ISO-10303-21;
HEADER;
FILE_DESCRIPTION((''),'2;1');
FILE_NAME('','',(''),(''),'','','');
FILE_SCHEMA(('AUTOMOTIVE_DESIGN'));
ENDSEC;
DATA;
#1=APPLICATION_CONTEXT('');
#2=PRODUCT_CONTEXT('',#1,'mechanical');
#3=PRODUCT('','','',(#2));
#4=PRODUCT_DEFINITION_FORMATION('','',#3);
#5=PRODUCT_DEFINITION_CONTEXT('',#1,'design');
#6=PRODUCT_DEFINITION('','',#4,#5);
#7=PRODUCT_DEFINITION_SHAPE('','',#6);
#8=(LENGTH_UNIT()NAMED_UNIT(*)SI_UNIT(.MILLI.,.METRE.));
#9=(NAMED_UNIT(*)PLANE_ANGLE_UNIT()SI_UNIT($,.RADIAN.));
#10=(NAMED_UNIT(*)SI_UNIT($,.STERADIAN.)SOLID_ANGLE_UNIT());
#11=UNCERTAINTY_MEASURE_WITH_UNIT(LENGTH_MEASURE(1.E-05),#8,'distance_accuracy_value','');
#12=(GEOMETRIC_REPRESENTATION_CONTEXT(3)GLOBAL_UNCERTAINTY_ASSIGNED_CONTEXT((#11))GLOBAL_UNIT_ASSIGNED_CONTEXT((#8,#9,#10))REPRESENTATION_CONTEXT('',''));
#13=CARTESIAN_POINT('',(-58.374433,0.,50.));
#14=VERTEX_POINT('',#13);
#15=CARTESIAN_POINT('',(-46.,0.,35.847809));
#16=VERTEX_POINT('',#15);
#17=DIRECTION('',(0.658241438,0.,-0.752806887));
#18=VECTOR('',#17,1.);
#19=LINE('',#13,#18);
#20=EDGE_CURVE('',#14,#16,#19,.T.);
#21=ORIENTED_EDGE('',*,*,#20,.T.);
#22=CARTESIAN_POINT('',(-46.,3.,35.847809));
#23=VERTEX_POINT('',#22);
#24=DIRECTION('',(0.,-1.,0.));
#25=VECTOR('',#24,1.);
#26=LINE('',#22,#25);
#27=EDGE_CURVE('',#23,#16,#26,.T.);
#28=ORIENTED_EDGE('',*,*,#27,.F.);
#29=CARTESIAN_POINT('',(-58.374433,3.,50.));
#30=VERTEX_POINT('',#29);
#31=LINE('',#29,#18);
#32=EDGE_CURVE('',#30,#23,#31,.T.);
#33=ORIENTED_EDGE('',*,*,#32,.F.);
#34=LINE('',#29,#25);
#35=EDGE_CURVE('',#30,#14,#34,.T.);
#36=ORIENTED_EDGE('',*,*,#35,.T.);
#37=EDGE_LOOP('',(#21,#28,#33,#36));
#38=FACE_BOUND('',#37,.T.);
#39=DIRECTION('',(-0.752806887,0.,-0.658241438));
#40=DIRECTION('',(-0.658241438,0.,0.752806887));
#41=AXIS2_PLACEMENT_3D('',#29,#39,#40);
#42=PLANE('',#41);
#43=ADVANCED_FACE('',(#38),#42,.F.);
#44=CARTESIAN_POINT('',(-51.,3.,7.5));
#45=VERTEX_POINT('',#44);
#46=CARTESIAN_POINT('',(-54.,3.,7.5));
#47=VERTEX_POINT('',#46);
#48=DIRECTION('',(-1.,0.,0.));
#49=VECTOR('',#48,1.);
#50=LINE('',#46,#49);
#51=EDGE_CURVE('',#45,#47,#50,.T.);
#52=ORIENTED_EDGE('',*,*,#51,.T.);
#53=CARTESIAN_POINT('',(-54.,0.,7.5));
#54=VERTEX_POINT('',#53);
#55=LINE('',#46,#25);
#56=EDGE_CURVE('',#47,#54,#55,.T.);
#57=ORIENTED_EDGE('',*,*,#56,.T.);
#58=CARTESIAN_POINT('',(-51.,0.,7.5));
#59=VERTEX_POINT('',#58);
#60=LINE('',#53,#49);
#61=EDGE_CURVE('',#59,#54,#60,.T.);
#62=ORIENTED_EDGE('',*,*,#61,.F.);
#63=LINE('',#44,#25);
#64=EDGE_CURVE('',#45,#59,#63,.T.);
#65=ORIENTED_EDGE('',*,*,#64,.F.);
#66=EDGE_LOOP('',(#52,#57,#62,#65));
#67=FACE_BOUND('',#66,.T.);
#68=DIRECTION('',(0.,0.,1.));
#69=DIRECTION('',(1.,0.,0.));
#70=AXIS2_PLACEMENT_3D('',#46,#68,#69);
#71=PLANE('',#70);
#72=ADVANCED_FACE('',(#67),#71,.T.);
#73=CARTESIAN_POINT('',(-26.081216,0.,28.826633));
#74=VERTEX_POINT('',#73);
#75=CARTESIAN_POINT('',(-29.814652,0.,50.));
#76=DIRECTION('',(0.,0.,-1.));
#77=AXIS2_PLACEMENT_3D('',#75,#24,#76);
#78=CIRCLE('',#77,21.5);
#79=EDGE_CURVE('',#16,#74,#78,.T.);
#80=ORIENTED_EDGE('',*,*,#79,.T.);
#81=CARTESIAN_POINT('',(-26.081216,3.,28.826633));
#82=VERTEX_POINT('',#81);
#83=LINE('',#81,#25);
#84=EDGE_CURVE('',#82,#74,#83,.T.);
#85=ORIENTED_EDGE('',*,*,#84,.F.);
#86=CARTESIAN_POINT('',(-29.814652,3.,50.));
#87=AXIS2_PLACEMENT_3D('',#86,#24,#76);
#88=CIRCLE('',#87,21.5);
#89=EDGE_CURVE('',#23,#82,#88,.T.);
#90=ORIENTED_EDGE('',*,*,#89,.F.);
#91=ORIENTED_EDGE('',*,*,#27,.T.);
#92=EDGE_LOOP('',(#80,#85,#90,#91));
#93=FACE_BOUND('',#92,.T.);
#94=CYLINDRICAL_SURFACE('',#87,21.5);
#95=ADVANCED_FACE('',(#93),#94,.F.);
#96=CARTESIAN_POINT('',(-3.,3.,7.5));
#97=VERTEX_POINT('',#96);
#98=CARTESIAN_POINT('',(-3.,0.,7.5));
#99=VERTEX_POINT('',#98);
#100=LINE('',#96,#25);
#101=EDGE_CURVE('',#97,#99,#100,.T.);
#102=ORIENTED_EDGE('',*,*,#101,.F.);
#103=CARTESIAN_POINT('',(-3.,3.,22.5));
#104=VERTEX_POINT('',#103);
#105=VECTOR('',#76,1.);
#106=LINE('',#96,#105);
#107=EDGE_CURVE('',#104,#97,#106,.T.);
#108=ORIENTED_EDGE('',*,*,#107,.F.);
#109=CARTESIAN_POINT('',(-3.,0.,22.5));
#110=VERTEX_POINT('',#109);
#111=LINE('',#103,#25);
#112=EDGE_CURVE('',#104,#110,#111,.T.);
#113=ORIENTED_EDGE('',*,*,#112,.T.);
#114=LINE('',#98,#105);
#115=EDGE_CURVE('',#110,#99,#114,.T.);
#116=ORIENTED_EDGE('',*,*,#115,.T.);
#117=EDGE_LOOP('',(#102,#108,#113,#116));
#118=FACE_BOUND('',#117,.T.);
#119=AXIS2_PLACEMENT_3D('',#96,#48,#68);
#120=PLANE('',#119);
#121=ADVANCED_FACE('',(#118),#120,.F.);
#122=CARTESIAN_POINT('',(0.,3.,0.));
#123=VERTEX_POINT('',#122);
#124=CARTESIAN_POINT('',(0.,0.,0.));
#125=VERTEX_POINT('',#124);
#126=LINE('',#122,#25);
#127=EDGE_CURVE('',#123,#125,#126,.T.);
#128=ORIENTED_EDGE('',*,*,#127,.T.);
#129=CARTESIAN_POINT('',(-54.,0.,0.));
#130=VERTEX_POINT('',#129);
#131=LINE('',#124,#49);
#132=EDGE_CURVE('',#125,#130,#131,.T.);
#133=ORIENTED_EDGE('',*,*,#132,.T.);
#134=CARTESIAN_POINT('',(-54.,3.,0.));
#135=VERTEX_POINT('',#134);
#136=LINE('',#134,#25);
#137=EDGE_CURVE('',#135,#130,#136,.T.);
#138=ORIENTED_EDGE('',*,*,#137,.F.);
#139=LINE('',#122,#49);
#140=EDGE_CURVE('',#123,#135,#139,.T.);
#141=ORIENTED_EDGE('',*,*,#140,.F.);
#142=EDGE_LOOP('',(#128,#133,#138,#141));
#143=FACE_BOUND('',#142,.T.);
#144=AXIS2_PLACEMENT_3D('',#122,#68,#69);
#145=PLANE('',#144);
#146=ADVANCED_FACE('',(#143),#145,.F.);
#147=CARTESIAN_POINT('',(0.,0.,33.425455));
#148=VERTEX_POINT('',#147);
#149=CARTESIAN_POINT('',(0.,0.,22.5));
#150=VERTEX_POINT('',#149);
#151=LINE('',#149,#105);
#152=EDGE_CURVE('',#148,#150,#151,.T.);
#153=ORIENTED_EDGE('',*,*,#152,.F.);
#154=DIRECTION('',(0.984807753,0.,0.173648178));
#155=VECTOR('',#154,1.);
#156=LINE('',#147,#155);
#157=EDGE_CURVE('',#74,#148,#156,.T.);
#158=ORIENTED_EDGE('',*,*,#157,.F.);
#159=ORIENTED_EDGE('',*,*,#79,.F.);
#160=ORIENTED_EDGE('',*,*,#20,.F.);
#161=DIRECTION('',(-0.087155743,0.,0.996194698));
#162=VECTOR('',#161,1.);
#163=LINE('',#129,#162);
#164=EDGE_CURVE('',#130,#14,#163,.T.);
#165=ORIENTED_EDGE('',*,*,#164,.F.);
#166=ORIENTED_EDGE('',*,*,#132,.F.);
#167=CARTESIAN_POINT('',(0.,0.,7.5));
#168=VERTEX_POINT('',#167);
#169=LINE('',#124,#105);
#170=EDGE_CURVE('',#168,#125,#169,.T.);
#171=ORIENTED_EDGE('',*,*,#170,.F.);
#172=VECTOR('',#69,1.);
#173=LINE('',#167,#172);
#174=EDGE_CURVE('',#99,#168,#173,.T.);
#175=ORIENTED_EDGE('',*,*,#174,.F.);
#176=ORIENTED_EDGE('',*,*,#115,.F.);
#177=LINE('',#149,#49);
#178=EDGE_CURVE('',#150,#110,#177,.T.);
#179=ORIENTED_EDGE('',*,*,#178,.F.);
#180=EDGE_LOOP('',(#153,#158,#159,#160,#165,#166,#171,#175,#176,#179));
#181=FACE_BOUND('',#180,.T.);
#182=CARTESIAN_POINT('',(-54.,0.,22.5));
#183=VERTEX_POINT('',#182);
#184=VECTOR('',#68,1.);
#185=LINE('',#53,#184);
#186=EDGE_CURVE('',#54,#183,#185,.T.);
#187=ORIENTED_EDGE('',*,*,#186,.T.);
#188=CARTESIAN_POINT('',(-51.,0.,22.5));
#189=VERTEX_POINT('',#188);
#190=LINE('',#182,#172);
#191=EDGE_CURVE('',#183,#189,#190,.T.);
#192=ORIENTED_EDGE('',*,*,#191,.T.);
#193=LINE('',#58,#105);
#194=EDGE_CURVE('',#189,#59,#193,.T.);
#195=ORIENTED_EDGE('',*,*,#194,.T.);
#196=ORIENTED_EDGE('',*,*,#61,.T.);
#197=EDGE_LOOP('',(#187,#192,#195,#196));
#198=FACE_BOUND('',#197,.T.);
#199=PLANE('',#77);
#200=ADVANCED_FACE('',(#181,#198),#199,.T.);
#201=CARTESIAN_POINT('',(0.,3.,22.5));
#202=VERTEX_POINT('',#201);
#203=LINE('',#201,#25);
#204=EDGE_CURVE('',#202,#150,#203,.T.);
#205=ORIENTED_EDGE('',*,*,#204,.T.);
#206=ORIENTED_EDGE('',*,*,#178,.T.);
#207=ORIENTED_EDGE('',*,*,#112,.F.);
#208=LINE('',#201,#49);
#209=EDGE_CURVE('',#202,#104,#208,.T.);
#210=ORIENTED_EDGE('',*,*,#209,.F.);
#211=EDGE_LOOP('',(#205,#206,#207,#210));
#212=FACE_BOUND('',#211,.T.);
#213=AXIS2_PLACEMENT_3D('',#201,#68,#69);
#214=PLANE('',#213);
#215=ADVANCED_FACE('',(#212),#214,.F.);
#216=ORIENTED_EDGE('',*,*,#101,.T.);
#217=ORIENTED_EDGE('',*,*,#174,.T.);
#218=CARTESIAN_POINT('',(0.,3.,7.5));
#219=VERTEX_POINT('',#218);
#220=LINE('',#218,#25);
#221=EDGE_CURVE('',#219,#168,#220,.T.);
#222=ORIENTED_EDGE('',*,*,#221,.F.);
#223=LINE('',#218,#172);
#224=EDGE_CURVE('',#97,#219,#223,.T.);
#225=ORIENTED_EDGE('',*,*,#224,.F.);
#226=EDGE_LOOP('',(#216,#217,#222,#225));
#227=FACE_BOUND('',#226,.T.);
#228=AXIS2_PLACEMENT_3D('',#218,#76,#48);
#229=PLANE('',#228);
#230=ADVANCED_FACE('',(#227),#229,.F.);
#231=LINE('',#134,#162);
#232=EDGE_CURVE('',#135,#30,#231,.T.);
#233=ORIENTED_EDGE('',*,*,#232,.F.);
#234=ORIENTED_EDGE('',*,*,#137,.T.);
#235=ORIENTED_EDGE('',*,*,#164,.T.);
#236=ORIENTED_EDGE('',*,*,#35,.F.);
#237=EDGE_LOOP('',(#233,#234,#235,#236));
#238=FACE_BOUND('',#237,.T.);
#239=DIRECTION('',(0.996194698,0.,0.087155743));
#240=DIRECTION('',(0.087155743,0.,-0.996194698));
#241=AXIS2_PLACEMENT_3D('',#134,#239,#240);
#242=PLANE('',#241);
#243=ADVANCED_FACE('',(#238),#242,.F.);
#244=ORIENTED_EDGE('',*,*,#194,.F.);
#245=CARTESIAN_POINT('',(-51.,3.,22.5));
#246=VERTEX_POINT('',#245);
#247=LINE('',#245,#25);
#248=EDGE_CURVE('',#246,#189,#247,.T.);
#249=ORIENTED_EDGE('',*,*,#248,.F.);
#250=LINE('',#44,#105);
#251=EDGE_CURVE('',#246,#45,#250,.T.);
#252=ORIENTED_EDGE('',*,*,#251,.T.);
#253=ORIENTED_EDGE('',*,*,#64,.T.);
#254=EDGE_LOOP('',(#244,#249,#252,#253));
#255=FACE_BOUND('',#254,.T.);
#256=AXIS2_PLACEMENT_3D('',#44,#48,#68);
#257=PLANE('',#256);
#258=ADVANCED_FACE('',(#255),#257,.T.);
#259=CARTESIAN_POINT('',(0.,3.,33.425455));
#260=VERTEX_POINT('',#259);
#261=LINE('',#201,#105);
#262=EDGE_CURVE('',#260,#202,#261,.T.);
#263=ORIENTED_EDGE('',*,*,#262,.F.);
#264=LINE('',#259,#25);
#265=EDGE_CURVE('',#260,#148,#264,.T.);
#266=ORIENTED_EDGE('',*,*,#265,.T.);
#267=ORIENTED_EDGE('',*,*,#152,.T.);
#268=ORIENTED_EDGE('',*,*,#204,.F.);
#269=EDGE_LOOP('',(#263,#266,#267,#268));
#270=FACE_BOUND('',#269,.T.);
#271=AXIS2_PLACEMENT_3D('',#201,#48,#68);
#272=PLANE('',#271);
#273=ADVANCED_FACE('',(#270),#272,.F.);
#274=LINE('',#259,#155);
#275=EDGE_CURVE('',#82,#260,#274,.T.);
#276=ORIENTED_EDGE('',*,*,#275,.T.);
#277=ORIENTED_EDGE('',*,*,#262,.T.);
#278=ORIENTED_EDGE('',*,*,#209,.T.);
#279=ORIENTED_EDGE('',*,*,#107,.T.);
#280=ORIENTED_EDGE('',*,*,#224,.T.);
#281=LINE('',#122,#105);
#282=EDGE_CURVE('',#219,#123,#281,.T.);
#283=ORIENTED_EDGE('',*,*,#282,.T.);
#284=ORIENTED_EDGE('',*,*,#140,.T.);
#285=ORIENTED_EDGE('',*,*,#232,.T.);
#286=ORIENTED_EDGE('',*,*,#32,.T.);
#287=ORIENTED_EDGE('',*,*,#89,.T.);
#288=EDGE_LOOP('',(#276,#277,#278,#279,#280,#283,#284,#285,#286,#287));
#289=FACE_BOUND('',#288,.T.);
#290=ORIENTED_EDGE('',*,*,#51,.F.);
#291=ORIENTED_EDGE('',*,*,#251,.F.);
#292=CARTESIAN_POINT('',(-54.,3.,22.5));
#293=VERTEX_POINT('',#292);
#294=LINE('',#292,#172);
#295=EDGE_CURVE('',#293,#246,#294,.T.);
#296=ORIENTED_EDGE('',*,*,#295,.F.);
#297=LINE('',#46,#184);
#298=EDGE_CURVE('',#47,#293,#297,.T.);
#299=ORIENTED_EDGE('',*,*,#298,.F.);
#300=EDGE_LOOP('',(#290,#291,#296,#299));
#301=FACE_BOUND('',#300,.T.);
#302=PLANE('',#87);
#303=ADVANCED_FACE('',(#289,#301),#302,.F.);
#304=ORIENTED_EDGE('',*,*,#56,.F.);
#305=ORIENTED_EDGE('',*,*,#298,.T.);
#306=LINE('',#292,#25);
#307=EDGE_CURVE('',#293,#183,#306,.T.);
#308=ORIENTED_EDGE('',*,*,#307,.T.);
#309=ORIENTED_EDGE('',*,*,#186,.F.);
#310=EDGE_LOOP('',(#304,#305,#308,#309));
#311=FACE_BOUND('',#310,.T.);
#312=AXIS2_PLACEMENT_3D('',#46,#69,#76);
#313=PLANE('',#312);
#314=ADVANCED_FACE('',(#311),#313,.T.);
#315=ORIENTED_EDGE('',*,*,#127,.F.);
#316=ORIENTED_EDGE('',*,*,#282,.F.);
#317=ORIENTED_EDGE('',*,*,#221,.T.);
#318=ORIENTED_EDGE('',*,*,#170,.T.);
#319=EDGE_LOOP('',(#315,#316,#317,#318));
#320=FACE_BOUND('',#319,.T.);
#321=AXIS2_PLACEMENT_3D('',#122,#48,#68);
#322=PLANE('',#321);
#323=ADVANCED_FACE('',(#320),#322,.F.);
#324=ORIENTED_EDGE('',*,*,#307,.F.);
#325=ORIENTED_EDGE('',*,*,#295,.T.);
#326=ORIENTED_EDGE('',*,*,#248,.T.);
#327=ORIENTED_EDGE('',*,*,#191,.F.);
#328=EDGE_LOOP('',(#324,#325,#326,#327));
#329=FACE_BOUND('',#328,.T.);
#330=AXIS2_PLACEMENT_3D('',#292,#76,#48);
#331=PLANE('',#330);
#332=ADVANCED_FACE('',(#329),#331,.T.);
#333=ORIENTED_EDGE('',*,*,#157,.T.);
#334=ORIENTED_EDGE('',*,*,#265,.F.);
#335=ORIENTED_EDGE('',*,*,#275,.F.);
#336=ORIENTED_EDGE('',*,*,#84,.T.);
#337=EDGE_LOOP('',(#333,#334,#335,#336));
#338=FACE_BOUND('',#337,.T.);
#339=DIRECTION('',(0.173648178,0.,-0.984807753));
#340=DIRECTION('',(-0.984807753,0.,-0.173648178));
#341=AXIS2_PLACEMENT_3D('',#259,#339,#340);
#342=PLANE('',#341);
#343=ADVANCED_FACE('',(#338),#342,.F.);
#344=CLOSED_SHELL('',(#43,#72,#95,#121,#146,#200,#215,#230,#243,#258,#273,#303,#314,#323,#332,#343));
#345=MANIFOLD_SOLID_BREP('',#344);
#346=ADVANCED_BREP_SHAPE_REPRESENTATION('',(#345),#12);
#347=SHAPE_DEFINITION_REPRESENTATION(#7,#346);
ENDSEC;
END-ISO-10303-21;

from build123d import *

# Parameters (mm, degrees)
SKETCH1_W           = 3
SKETCH1_H           = 15
BOSS_EXTRUDE1_DEPTH = 3


with BuildPart() as part:
    # Sketch1 → Boss-Extrude1 (new body)
    with BuildSketch(Plane(origin=(0, 0, 0), x_dir=(1, 0, 0), z_dir=(0, 1, 0))):
        with BuildLine():
            Line((0, 0), (-54, 0))
            Line((-54, 0), (-58.374433176, -50))
            Line((-58.374433176, -50), (-46, -35.847809072))
            ThreePointArc((-46, -35.847809072), (-36.962151982, -29.722839373), (-26.081216116, -28.82663331))
            Line((-26.081216116, -28.82663331), (0, -33.425455401))
            Line((0, -33.425455401), (0, -22.5))
            Line((0, -22.5), (-3, -22.5))
            Line((-3, -22.5), (-3, -7.5))
            Line((-3, -7.5), (0, -7.5))
            Line((0, -7.5), (0, 0))
        make_face()
        with Locations((-52.5, -15)):
            Rectangle(SKETCH1_W, SKETCH1_H, mode=Mode.SUBTRACT)
    extrude(amount=BOSS_EXTRUDE1_DEPTH)


solid = part.part
